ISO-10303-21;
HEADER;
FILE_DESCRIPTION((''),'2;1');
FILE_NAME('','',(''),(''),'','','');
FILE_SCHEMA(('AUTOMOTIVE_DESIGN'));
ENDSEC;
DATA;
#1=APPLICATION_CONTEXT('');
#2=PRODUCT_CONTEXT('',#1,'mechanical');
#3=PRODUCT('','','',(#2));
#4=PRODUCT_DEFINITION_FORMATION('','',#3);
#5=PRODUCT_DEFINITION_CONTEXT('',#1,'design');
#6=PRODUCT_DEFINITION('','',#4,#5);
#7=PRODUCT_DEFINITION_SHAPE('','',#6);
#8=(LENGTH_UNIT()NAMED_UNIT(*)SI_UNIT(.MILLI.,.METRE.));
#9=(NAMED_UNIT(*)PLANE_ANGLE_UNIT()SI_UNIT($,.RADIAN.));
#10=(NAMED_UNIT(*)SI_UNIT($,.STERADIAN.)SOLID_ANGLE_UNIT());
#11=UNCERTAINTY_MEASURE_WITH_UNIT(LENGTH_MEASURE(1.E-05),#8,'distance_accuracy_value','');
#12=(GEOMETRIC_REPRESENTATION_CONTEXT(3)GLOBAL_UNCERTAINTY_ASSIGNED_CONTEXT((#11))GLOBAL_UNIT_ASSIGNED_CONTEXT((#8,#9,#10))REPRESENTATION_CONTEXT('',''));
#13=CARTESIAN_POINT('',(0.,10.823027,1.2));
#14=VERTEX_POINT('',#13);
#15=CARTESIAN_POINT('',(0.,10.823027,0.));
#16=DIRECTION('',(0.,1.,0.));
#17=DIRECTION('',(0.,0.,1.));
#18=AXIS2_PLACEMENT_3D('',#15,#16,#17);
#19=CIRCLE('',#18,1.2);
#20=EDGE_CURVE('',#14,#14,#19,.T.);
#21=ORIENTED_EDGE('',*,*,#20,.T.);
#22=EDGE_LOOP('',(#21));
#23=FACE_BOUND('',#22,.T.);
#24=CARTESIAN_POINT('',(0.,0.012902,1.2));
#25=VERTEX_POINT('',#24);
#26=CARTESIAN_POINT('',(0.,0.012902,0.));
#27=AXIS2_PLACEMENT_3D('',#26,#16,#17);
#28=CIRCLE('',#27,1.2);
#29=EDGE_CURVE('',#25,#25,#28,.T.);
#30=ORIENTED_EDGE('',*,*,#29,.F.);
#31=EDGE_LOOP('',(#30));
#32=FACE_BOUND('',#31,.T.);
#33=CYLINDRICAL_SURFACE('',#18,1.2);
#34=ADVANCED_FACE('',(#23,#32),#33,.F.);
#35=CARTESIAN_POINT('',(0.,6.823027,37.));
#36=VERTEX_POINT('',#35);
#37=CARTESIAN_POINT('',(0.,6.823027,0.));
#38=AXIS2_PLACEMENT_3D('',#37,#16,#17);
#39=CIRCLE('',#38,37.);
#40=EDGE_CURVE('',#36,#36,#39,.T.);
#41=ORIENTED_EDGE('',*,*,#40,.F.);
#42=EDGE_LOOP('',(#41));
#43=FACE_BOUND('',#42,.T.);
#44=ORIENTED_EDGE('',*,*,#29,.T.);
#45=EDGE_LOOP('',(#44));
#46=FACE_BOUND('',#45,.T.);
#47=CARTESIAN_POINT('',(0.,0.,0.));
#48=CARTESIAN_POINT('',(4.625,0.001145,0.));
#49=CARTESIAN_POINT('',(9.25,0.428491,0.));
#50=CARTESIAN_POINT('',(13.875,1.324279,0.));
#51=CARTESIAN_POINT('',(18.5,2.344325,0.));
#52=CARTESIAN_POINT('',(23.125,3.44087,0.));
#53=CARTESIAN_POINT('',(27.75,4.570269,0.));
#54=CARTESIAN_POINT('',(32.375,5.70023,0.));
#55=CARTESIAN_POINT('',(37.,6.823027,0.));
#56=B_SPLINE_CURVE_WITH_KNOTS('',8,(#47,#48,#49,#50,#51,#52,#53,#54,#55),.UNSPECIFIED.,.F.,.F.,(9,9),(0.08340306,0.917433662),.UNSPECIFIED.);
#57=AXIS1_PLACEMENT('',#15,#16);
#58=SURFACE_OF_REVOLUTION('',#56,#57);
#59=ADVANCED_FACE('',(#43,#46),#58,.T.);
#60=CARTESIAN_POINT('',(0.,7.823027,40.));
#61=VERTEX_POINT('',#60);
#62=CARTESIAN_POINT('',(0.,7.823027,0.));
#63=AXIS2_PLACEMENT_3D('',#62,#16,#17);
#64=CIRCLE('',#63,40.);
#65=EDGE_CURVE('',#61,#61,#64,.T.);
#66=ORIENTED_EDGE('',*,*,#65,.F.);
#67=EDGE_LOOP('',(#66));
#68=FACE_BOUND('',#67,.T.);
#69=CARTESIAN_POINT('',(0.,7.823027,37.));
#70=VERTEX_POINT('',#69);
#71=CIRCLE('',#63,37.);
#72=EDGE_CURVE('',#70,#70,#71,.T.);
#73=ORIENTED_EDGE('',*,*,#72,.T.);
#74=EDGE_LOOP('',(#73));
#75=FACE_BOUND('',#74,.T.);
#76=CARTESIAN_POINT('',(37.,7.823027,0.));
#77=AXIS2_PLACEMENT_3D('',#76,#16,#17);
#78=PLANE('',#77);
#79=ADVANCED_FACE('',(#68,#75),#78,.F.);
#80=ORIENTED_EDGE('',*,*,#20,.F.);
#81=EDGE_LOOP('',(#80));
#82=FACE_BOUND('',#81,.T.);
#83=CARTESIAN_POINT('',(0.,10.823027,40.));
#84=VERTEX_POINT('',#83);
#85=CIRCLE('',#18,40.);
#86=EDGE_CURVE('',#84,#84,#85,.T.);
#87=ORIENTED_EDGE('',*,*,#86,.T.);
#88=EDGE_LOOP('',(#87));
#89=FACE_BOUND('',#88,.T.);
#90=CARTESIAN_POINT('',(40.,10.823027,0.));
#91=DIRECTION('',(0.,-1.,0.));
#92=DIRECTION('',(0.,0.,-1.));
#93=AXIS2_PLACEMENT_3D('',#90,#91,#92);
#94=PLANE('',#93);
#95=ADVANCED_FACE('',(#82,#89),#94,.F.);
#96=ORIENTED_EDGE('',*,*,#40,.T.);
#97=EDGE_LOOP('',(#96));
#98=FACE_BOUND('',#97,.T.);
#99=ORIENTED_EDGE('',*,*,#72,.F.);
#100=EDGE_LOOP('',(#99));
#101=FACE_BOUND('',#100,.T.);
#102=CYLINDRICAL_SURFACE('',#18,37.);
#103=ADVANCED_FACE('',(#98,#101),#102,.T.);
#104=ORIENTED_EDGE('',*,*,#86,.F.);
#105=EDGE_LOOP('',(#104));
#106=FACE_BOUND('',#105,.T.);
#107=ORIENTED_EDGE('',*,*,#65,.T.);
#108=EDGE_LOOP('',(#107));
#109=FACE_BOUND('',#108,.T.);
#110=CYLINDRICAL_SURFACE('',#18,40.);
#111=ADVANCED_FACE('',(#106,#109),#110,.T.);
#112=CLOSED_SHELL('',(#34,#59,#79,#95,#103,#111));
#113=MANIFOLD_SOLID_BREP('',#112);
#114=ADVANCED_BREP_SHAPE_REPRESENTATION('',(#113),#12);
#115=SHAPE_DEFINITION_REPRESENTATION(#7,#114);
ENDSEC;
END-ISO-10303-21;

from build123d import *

# Parameters (mm, degrees)
SKETCH5_R          = 1.2
CUT_EXTRUDE1_DEPTH = 58.594599617


with BuildPart() as part:
    # Sketch3 → Revolve4 (revolve)
    with BuildSketch(Plane.XY, mode=Mode.PRIVATE) as revolve4_sk:
        with BuildLine():
            Line((1.2, 10.823026514), (1.2, 5.823026514))
            Line((1.2, 5.823026514), (0, 5.823026514))
            Line((0, 5.823026514), (0, 0))
            add(Edge.make_bspline(
                [(0, 0), (4.624999999, 0.001145005), (9.249999999, 0.42849104), (13.874999999, 1.324279285), (18.499999999, 2.344324843), (23.124999999, 3.440870331), (27.749999999, 4.570268909), (32.375, 5.700230023), (37, 6.823026514)],
                knots=[0.08340306, 0.08340306, 0.08340306, 0.08340306, 0.08340306, 0.08340306, 0.08340306, 0.08340306, 0.08340306, 0.917433662, 0.917433662, 0.917433662, 0.917433662, 0.917433662, 0.917433662, 0.917433662, 0.917433662, 0.917433662], degree=8))
            Line((37, 6.823026514), (37, 7.823026514))
            Line((37, 7.823026514), (40, 7.823026514))
            Line((40, 7.823026514), (40, 10.823026514))
            Line((40, 10.823026514), (1.2, 10.823026514))
        make_face()
    revolve(revolve4_sk.sketch.rotate(Axis((0, 10.823026514, 0), (0, -1, 0)), 90), axis=Axis((0, 10.823026514, 0), (0, -1, 0)))

    # Sketch5 → Cut-Extrude1 (cut, through all)
    with BuildSketch(Plane(origin=(0, 10.823026514, 0), x_dir=(1, 0, 0), z_dir=(0, 1, 0))):
        with Locations(Location((0, 0, 0), (0, 0, 270))):
            Circle(SKETCH5_R)
    extrude(amount=-CUT_EXTRUDE1_DEPTH, mode=Mode.SUBTRACT)


solid = part.part
